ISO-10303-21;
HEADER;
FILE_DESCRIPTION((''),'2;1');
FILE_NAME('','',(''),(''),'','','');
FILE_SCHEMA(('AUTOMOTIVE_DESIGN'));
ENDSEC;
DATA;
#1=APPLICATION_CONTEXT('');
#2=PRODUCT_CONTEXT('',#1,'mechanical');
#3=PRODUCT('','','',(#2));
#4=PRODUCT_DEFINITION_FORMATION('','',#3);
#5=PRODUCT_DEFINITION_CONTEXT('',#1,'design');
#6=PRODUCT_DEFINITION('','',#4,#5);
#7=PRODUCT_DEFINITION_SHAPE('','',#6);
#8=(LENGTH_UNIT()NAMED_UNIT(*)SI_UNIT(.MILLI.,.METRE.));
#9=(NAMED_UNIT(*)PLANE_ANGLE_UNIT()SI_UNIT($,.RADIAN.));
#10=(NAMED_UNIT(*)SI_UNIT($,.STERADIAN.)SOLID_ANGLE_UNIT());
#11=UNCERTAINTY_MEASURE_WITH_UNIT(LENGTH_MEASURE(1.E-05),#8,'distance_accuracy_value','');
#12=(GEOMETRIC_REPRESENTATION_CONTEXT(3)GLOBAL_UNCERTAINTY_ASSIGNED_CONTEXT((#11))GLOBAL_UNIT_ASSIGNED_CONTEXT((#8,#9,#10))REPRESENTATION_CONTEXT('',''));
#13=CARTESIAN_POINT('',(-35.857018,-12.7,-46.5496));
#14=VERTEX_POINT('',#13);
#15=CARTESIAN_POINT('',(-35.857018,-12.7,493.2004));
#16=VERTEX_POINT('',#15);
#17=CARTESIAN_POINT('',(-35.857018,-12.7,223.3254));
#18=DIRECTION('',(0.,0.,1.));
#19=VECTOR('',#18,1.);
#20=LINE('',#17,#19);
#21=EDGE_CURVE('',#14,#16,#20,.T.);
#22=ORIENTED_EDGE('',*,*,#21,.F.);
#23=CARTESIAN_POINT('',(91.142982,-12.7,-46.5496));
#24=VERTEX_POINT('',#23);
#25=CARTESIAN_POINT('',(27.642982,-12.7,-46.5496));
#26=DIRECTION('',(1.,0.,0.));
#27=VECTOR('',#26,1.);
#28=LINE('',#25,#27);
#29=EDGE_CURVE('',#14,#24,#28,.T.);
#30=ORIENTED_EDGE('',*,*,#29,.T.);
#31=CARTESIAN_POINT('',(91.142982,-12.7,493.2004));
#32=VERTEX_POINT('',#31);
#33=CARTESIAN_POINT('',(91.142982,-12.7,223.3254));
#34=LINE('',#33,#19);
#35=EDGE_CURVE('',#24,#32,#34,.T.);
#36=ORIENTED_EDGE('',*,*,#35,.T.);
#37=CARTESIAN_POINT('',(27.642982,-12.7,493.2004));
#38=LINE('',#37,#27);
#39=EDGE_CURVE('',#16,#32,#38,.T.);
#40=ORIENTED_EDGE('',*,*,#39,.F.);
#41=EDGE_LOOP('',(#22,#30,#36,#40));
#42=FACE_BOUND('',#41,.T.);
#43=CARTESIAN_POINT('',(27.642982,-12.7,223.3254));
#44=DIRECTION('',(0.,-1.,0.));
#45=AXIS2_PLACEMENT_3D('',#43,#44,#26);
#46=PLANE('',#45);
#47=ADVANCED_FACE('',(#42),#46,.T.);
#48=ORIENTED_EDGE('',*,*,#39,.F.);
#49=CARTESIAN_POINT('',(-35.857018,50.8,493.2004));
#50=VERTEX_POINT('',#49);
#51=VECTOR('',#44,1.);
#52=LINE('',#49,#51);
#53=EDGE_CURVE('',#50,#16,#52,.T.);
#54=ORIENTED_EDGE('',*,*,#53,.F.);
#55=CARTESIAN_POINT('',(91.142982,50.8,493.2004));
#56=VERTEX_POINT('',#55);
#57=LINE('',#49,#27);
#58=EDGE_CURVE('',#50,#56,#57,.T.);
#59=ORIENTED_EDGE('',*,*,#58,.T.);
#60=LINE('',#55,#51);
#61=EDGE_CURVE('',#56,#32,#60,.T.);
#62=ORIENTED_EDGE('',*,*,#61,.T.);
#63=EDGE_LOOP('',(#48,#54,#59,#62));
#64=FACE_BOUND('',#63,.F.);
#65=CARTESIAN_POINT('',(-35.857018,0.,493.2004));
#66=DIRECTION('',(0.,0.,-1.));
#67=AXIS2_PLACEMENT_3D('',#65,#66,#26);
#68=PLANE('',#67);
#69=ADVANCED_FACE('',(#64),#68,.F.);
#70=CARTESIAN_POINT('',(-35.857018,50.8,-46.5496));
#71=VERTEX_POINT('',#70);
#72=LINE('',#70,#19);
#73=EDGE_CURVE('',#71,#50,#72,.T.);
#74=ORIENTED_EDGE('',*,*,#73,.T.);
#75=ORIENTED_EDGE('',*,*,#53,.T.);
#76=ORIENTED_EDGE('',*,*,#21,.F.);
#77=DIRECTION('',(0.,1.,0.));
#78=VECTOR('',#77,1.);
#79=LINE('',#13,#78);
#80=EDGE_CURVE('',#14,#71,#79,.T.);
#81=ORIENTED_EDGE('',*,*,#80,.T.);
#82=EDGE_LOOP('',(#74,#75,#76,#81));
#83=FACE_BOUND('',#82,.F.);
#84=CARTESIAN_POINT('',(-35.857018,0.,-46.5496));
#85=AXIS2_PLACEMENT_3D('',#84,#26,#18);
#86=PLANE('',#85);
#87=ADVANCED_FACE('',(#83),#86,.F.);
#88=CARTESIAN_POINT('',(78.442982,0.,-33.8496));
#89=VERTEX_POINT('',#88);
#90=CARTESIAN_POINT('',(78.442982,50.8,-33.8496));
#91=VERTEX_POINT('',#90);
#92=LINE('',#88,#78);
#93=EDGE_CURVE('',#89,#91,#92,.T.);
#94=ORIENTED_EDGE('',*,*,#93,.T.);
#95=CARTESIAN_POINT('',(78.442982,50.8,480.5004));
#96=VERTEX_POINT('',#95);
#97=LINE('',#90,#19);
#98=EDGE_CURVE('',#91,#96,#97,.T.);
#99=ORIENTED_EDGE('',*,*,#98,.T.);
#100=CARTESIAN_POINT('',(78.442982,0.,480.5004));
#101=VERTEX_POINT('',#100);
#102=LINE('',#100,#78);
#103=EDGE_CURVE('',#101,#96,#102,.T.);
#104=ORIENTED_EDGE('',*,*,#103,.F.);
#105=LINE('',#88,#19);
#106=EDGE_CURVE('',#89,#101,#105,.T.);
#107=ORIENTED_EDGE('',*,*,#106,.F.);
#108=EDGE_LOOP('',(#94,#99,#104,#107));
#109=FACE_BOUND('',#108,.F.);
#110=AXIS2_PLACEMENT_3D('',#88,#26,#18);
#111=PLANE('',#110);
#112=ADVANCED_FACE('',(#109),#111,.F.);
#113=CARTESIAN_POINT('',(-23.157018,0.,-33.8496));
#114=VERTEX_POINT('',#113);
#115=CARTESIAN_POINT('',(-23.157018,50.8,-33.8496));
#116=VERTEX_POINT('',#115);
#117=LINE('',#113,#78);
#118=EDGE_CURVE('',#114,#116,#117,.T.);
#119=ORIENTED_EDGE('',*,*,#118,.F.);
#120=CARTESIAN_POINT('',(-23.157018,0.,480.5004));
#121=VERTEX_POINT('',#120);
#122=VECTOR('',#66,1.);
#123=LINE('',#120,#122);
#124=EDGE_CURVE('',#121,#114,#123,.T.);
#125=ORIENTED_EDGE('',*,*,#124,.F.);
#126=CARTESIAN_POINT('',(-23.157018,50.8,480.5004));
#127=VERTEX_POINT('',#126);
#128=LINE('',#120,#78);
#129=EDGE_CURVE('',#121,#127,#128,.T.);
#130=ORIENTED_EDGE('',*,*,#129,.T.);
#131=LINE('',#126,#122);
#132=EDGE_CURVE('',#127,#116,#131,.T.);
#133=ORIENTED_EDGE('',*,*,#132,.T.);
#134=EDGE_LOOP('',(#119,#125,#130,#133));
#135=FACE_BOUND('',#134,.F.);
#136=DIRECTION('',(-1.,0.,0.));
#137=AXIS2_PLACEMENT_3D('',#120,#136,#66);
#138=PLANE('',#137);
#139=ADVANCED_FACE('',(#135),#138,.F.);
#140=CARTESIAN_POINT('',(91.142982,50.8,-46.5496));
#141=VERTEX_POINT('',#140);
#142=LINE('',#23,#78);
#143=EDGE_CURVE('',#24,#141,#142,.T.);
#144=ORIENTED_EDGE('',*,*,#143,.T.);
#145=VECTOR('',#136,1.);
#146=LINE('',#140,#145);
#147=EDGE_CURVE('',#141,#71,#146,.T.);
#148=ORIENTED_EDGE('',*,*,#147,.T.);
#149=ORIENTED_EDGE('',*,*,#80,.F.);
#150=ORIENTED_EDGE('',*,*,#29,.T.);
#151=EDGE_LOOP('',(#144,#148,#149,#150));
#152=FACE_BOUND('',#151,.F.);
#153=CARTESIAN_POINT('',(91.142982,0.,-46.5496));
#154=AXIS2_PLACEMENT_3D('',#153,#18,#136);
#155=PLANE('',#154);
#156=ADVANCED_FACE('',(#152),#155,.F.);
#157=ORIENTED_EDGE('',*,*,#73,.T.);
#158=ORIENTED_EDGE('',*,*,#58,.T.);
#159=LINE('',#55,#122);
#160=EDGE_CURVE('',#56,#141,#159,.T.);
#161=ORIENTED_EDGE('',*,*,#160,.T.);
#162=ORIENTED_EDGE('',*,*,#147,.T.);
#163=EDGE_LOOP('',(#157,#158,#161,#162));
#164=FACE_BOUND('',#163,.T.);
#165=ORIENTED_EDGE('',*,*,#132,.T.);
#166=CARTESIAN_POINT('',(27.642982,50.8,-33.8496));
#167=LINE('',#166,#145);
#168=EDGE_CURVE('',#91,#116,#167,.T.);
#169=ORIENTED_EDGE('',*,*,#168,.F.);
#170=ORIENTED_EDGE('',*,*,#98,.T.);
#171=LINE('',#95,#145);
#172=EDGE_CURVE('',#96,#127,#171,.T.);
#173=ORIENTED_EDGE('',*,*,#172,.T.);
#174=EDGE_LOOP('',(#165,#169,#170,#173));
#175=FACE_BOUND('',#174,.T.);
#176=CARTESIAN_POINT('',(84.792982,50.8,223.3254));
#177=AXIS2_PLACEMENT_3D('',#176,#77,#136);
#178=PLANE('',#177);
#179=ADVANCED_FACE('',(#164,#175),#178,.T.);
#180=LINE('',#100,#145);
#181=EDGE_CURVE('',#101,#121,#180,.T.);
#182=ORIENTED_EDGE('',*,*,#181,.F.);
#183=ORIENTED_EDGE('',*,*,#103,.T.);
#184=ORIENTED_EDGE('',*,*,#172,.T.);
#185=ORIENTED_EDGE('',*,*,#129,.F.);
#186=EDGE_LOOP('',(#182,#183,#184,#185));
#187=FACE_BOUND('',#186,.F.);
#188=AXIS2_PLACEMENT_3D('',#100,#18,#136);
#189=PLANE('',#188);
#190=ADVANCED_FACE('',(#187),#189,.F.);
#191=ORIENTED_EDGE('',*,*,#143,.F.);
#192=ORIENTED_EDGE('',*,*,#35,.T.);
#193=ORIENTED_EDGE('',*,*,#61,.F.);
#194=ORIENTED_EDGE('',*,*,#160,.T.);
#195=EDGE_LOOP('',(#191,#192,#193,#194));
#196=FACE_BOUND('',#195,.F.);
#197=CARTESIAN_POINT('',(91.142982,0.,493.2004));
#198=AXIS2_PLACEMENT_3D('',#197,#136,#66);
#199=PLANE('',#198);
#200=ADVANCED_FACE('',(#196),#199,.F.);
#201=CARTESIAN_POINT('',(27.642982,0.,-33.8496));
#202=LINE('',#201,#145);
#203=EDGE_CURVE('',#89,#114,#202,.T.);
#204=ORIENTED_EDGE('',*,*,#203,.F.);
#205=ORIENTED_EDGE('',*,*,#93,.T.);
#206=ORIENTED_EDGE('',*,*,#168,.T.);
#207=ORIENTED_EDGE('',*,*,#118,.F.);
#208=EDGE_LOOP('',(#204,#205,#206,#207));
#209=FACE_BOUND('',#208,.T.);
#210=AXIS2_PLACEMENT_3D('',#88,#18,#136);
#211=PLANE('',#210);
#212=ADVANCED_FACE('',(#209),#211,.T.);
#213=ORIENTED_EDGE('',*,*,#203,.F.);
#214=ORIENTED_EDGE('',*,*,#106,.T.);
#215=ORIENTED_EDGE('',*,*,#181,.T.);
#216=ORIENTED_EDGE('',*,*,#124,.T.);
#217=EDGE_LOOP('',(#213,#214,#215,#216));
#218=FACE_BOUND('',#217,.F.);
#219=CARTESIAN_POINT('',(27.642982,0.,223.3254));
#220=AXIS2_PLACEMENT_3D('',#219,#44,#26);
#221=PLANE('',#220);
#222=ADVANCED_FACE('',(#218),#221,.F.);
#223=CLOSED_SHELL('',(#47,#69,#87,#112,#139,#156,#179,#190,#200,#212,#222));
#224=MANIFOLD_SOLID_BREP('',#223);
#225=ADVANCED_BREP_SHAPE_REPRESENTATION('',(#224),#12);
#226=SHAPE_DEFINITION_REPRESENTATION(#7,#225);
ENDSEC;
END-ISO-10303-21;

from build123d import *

# Parameters (mm, degrees)
F0_W     = 127
F0_H     = 539.75
F1_DEPTH = 12.7
F2_W     = 12.7
F2_H     = 514.35
F2_H_2   = 12.7
F2_W_2   = 16.901414
F2_W_3   = 84.698586
F2_W_4   = 101.6
F3_DEPTH = 50.8


with BuildPart() as f1:
    # F0 (on Front) → F1 (new body)
    with BuildSketch(Plane.XZ):
        with Locations((27.642982, 223.3254)):
            Rectangle(F0_W, F0_H)
    extrude(amount=F1_DEPTH)

    # F2 (on face) → F3 (join)
    with BuildSketch(Plane(origin=(0, 0, 0), x_dir=(-1, 0, 0), z_dir=(0, 1, 0))):
        with Locations((-84.792982, 223.3254)):
            Rectangle(F2_W, F2_H)
        with Locations((-84.792982, 486.8504)):
            Rectangle(F2_W, F2_H_2)
        with Locations((-69.992275, 486.8504)):
            Rectangle(F2_W_2, F2_H_2)
        with Locations((-19.192275, 486.8504)):
            Rectangle(F2_W_3, F2_H_2)
        with Locations((29.507018, 486.8504)):
            Rectangle(F2_W, F2_H_2)
        with Locations((29.507018, 223.3254)):
            Rectangle(F2_W, F2_H)
        with Locations((29.507018, -40.1996)):
            Rectangle(F2_W, F2_H_2)
        with Locations((-27.642982, -40.1996)):
            Rectangle(F2_W_4, F2_H_2)
        with Locations((-84.792982, -40.1996)):
            Rectangle(F2_W, F2_H_2)
    extrude(amount=F3_DEPTH)


solid = f1.part
